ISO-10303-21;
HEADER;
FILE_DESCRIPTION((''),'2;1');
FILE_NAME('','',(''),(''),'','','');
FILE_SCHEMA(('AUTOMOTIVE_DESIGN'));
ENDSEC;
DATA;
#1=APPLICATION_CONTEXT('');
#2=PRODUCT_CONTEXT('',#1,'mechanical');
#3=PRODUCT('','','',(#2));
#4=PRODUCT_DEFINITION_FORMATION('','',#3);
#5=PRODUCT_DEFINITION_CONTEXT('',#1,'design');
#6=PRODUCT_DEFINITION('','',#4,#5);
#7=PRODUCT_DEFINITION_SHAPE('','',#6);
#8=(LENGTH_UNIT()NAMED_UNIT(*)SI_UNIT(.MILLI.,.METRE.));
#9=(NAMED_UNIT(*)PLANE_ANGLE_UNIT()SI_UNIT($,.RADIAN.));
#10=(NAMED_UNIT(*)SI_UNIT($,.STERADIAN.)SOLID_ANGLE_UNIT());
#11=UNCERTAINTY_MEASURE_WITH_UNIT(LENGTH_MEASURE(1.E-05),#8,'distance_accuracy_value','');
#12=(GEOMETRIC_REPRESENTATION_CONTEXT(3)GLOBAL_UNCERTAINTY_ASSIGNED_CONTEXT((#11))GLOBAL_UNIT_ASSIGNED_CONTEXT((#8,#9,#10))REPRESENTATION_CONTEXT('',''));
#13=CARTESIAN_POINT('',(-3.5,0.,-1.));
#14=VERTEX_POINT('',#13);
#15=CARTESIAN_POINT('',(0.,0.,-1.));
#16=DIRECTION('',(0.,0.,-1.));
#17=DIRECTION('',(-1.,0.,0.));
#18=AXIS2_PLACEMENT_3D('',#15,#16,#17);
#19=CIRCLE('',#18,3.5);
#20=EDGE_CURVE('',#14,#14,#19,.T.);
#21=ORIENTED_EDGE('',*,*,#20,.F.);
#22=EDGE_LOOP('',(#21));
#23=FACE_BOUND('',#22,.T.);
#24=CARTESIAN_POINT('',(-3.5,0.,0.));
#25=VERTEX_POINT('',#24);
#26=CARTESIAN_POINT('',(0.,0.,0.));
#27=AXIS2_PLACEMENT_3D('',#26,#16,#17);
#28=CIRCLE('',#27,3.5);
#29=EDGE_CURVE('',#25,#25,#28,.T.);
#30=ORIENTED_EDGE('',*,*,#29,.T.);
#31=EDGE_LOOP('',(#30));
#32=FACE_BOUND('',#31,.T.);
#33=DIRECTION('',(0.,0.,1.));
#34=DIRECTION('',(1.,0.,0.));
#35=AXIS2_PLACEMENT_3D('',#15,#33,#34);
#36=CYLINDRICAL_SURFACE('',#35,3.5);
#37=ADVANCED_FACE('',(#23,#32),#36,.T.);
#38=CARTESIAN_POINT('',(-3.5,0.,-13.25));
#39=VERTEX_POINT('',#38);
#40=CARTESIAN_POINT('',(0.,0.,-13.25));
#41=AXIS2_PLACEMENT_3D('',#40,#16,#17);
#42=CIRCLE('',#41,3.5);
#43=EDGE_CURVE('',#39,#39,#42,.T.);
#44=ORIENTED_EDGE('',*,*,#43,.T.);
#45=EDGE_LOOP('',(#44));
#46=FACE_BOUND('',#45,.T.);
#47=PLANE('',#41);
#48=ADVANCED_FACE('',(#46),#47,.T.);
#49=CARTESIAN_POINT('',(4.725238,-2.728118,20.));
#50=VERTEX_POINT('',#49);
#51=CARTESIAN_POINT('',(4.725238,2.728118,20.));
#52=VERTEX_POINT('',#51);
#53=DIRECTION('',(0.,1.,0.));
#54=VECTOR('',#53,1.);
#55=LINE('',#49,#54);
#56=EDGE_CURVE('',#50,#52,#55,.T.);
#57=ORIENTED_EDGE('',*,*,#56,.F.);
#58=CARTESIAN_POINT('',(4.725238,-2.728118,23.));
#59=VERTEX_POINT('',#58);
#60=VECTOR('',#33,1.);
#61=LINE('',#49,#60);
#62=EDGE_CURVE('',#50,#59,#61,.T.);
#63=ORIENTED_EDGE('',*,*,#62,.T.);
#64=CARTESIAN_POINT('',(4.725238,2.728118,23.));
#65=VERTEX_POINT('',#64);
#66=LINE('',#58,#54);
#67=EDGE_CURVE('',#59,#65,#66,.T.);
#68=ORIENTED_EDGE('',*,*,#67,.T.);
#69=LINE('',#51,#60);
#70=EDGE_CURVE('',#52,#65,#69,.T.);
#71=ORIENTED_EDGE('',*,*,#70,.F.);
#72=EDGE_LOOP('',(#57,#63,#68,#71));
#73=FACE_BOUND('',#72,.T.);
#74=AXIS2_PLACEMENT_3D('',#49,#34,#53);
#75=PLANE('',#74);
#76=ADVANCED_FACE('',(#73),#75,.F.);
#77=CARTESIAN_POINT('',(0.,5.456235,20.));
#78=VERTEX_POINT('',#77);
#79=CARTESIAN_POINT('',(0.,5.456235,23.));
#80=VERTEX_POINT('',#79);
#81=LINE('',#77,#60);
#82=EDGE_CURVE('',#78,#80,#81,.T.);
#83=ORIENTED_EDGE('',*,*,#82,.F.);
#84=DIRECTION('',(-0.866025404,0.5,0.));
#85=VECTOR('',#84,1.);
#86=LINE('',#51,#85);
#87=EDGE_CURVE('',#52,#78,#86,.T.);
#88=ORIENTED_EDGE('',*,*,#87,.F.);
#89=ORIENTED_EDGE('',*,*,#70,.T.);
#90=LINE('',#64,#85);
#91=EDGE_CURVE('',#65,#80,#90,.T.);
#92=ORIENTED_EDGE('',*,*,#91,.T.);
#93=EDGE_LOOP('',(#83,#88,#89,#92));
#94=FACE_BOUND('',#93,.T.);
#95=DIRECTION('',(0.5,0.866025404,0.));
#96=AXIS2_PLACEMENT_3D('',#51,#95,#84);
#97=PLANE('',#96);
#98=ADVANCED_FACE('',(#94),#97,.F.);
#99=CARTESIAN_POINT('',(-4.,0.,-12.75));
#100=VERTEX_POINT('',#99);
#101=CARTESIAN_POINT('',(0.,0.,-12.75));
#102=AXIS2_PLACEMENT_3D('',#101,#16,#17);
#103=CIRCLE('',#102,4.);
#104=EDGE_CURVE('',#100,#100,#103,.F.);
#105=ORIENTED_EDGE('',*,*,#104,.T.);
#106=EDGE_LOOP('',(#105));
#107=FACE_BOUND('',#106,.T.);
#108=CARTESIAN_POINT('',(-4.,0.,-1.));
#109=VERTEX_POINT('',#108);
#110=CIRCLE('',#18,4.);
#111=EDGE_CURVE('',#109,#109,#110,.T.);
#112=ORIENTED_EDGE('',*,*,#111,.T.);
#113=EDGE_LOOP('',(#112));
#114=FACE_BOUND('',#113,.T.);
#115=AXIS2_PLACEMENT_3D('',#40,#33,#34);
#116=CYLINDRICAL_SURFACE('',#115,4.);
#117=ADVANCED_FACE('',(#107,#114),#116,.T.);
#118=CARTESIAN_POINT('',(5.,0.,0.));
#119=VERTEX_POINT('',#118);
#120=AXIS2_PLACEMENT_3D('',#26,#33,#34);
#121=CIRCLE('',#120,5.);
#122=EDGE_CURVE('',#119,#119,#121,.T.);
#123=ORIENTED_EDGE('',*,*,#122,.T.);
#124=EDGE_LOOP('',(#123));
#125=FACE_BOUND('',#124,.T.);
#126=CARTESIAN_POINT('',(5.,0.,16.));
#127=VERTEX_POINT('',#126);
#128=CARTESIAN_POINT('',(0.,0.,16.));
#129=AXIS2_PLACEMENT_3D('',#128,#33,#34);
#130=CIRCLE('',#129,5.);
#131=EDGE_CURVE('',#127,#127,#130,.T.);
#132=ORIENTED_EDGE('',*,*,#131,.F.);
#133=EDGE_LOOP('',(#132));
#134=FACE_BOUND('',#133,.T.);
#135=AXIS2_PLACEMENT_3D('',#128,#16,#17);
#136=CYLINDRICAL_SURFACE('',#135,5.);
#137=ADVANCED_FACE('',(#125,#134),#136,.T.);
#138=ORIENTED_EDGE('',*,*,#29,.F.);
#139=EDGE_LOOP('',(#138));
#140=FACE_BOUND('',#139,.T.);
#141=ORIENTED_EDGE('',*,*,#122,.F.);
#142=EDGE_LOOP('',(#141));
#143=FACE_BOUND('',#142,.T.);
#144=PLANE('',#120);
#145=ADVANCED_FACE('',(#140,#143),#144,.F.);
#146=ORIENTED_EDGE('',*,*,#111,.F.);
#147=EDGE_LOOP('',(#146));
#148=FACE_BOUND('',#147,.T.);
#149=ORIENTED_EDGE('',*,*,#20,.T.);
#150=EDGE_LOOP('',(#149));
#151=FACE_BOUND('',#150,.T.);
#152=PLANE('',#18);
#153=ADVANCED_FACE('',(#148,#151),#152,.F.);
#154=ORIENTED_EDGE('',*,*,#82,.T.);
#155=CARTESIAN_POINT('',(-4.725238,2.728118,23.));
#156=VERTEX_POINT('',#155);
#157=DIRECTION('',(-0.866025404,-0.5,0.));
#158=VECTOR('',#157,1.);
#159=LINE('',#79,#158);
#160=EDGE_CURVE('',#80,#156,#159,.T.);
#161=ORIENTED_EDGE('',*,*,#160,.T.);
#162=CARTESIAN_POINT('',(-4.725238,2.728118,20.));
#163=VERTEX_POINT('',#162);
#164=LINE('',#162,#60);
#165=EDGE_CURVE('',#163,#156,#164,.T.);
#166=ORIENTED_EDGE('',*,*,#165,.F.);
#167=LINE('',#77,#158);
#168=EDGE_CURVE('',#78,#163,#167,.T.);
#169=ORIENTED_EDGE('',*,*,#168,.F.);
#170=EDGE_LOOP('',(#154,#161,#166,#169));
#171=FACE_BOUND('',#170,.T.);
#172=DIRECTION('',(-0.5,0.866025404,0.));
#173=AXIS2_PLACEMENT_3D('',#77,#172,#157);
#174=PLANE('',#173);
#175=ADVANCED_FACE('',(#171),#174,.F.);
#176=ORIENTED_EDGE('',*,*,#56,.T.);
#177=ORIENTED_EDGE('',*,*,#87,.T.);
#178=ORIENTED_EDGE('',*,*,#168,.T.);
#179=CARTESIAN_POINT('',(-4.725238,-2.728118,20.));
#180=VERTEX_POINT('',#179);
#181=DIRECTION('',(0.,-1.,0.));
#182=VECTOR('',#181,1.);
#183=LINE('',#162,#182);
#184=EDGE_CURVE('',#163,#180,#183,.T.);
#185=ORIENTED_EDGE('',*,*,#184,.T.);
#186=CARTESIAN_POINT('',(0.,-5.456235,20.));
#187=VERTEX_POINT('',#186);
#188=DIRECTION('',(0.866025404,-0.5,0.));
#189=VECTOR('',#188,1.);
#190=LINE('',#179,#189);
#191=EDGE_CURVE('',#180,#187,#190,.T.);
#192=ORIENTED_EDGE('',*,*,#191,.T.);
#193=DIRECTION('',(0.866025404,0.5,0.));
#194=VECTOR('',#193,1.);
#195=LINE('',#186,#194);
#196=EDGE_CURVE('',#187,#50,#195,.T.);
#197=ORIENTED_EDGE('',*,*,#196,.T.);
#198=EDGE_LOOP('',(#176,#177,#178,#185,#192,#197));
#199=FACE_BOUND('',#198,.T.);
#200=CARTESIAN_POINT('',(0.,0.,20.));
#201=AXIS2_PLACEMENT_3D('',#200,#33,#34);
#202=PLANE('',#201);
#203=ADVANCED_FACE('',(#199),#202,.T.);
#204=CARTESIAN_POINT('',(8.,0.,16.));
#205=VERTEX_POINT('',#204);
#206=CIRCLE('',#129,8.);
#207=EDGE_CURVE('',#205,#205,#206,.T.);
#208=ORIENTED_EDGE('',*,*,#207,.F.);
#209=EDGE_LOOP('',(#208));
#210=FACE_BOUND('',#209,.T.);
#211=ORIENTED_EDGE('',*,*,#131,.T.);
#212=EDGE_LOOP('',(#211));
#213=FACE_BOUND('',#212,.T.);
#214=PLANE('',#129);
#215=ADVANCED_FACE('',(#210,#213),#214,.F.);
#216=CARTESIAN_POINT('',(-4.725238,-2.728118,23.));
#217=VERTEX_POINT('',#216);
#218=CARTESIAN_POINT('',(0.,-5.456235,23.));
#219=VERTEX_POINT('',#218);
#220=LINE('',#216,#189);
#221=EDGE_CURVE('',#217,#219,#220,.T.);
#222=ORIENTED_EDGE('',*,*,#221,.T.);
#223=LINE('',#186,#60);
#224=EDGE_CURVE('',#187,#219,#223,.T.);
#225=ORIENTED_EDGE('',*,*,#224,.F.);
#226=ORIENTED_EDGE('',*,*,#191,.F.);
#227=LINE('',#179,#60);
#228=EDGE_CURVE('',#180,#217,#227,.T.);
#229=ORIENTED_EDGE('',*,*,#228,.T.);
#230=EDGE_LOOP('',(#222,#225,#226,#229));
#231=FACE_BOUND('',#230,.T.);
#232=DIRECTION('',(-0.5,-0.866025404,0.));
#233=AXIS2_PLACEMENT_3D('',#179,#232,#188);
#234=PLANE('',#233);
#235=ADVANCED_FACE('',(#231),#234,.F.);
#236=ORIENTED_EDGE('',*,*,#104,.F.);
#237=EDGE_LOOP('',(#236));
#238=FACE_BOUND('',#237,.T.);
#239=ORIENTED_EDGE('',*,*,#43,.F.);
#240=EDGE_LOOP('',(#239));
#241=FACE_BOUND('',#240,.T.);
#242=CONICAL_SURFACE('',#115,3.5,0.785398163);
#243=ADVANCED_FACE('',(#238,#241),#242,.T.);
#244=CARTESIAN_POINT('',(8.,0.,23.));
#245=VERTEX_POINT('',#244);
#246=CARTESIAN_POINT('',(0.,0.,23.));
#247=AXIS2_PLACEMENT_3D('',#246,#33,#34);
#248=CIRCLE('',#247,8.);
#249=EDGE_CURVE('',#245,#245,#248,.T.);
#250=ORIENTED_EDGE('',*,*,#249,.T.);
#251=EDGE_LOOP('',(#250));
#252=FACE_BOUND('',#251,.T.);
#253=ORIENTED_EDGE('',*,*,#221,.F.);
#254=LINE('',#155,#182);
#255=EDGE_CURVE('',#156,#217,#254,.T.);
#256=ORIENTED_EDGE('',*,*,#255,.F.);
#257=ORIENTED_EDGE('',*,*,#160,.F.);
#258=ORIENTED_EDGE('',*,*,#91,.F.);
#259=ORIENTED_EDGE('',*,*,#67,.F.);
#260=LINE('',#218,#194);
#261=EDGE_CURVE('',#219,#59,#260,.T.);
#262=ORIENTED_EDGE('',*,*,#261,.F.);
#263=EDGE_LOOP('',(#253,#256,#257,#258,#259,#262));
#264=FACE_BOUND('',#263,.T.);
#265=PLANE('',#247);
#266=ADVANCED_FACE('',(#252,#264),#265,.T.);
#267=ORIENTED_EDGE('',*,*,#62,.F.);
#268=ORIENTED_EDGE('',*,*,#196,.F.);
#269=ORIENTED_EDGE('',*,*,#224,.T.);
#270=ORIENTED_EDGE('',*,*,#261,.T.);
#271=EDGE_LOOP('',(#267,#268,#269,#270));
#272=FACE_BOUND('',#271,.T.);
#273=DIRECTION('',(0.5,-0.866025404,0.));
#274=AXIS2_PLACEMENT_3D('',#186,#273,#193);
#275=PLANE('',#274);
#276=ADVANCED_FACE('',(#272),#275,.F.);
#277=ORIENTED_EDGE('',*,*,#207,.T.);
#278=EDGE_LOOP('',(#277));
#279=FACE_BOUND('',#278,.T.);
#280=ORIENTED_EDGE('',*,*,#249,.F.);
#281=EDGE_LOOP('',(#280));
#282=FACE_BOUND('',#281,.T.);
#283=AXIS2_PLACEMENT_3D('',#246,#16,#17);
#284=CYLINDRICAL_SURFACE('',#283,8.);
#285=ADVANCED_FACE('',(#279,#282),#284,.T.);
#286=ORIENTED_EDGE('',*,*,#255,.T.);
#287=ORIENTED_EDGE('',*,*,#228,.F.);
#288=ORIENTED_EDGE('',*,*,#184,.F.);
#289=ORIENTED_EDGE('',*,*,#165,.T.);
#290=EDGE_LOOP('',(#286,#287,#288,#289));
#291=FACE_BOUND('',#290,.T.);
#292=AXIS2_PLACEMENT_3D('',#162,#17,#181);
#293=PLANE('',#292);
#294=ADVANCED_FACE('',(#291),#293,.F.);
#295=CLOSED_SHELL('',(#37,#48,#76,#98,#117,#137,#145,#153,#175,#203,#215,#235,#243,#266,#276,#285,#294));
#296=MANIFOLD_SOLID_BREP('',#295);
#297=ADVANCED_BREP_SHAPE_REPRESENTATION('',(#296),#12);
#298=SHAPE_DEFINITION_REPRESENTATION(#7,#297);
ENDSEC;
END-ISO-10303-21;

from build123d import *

# Parameters (mm, degrees)
SKETCH_2_R          = 5
EXTRUDE_1_DEPTH     = 16
SKETCH_3_R          = 8
EXTRUDE_2_DEPTH     = 7
SKETCH_4_R          = 4
EXTRUDE_3_DEPTH     = 13.25
CUT_EXTRUDE_1_DEPTH = 3
CHAMFER_1_SIZE      = 0.5
SKETCH_6_R          = 4
SKETCH_6_R_2        = 3.5
CUT_EXTRUDE_2_DEPTH = 1


with BuildPart() as part:
    # 草图2 → 凸台-拉伸1 (new body)
    with BuildSketch(Plane.XY):
        Circle(SKETCH_2_R)
    extrude(amount=EXTRUDE_1_DEPTH)

    # 草图3 → 凸台-拉伸2 (add)
    with BuildSketch(Plane.XY.offset(16)):
        Circle(SKETCH_3_R)
    extrude(amount=EXTRUDE_2_DEPTH)

    # 草图4 → 凸台-拉伸3 (add)
    with BuildSketch(Plane(origin=(0, 0, 0), x_dir=(-1, 0, 0), z_dir=(0, 0, -1))):
        Circle(SKETCH_4_R)
    extrude(amount=EXTRUDE_3_DEPTH)

    # 草图5 → 切除-拉伸1 (cut)
    with BuildSketch(Plane.XY.offset(23)):
        Polygon((0, 5.456235198), (-4.72523829, 2.728117599), (-4.72523829, -2.728117599), (0, -5.456235198), (4.72523829, -2.728117599), (4.72523829, 2.728117599), align=None)
    extrude(amount=-CUT_EXTRUDE_1_DEPTH, mode=Mode.SUBTRACT)

    # 倒角1
    chamfer_1_edges = [part.edges().sort_by_distance(p)[0] for p in [
        (4, 0, -13.25),
    ]]
    chamfer(chamfer_1_edges, length=CHAMFER_1_SIZE)

    # 草图6 → 切除-拉伸2 (cut)
    with BuildSketch(Plane(origin=(0, 0, 0), x_dir=(-1, 0, 0), z_dir=(0, 0, -1))):
        Circle(SKETCH_6_R)
        Circle(SKETCH_6_R_2, mode=Mode.SUBTRACT)
    extrude(amount=CUT_EXTRUDE_2_DEPTH, mode=Mode.SUBTRACT)


solid = part.part
